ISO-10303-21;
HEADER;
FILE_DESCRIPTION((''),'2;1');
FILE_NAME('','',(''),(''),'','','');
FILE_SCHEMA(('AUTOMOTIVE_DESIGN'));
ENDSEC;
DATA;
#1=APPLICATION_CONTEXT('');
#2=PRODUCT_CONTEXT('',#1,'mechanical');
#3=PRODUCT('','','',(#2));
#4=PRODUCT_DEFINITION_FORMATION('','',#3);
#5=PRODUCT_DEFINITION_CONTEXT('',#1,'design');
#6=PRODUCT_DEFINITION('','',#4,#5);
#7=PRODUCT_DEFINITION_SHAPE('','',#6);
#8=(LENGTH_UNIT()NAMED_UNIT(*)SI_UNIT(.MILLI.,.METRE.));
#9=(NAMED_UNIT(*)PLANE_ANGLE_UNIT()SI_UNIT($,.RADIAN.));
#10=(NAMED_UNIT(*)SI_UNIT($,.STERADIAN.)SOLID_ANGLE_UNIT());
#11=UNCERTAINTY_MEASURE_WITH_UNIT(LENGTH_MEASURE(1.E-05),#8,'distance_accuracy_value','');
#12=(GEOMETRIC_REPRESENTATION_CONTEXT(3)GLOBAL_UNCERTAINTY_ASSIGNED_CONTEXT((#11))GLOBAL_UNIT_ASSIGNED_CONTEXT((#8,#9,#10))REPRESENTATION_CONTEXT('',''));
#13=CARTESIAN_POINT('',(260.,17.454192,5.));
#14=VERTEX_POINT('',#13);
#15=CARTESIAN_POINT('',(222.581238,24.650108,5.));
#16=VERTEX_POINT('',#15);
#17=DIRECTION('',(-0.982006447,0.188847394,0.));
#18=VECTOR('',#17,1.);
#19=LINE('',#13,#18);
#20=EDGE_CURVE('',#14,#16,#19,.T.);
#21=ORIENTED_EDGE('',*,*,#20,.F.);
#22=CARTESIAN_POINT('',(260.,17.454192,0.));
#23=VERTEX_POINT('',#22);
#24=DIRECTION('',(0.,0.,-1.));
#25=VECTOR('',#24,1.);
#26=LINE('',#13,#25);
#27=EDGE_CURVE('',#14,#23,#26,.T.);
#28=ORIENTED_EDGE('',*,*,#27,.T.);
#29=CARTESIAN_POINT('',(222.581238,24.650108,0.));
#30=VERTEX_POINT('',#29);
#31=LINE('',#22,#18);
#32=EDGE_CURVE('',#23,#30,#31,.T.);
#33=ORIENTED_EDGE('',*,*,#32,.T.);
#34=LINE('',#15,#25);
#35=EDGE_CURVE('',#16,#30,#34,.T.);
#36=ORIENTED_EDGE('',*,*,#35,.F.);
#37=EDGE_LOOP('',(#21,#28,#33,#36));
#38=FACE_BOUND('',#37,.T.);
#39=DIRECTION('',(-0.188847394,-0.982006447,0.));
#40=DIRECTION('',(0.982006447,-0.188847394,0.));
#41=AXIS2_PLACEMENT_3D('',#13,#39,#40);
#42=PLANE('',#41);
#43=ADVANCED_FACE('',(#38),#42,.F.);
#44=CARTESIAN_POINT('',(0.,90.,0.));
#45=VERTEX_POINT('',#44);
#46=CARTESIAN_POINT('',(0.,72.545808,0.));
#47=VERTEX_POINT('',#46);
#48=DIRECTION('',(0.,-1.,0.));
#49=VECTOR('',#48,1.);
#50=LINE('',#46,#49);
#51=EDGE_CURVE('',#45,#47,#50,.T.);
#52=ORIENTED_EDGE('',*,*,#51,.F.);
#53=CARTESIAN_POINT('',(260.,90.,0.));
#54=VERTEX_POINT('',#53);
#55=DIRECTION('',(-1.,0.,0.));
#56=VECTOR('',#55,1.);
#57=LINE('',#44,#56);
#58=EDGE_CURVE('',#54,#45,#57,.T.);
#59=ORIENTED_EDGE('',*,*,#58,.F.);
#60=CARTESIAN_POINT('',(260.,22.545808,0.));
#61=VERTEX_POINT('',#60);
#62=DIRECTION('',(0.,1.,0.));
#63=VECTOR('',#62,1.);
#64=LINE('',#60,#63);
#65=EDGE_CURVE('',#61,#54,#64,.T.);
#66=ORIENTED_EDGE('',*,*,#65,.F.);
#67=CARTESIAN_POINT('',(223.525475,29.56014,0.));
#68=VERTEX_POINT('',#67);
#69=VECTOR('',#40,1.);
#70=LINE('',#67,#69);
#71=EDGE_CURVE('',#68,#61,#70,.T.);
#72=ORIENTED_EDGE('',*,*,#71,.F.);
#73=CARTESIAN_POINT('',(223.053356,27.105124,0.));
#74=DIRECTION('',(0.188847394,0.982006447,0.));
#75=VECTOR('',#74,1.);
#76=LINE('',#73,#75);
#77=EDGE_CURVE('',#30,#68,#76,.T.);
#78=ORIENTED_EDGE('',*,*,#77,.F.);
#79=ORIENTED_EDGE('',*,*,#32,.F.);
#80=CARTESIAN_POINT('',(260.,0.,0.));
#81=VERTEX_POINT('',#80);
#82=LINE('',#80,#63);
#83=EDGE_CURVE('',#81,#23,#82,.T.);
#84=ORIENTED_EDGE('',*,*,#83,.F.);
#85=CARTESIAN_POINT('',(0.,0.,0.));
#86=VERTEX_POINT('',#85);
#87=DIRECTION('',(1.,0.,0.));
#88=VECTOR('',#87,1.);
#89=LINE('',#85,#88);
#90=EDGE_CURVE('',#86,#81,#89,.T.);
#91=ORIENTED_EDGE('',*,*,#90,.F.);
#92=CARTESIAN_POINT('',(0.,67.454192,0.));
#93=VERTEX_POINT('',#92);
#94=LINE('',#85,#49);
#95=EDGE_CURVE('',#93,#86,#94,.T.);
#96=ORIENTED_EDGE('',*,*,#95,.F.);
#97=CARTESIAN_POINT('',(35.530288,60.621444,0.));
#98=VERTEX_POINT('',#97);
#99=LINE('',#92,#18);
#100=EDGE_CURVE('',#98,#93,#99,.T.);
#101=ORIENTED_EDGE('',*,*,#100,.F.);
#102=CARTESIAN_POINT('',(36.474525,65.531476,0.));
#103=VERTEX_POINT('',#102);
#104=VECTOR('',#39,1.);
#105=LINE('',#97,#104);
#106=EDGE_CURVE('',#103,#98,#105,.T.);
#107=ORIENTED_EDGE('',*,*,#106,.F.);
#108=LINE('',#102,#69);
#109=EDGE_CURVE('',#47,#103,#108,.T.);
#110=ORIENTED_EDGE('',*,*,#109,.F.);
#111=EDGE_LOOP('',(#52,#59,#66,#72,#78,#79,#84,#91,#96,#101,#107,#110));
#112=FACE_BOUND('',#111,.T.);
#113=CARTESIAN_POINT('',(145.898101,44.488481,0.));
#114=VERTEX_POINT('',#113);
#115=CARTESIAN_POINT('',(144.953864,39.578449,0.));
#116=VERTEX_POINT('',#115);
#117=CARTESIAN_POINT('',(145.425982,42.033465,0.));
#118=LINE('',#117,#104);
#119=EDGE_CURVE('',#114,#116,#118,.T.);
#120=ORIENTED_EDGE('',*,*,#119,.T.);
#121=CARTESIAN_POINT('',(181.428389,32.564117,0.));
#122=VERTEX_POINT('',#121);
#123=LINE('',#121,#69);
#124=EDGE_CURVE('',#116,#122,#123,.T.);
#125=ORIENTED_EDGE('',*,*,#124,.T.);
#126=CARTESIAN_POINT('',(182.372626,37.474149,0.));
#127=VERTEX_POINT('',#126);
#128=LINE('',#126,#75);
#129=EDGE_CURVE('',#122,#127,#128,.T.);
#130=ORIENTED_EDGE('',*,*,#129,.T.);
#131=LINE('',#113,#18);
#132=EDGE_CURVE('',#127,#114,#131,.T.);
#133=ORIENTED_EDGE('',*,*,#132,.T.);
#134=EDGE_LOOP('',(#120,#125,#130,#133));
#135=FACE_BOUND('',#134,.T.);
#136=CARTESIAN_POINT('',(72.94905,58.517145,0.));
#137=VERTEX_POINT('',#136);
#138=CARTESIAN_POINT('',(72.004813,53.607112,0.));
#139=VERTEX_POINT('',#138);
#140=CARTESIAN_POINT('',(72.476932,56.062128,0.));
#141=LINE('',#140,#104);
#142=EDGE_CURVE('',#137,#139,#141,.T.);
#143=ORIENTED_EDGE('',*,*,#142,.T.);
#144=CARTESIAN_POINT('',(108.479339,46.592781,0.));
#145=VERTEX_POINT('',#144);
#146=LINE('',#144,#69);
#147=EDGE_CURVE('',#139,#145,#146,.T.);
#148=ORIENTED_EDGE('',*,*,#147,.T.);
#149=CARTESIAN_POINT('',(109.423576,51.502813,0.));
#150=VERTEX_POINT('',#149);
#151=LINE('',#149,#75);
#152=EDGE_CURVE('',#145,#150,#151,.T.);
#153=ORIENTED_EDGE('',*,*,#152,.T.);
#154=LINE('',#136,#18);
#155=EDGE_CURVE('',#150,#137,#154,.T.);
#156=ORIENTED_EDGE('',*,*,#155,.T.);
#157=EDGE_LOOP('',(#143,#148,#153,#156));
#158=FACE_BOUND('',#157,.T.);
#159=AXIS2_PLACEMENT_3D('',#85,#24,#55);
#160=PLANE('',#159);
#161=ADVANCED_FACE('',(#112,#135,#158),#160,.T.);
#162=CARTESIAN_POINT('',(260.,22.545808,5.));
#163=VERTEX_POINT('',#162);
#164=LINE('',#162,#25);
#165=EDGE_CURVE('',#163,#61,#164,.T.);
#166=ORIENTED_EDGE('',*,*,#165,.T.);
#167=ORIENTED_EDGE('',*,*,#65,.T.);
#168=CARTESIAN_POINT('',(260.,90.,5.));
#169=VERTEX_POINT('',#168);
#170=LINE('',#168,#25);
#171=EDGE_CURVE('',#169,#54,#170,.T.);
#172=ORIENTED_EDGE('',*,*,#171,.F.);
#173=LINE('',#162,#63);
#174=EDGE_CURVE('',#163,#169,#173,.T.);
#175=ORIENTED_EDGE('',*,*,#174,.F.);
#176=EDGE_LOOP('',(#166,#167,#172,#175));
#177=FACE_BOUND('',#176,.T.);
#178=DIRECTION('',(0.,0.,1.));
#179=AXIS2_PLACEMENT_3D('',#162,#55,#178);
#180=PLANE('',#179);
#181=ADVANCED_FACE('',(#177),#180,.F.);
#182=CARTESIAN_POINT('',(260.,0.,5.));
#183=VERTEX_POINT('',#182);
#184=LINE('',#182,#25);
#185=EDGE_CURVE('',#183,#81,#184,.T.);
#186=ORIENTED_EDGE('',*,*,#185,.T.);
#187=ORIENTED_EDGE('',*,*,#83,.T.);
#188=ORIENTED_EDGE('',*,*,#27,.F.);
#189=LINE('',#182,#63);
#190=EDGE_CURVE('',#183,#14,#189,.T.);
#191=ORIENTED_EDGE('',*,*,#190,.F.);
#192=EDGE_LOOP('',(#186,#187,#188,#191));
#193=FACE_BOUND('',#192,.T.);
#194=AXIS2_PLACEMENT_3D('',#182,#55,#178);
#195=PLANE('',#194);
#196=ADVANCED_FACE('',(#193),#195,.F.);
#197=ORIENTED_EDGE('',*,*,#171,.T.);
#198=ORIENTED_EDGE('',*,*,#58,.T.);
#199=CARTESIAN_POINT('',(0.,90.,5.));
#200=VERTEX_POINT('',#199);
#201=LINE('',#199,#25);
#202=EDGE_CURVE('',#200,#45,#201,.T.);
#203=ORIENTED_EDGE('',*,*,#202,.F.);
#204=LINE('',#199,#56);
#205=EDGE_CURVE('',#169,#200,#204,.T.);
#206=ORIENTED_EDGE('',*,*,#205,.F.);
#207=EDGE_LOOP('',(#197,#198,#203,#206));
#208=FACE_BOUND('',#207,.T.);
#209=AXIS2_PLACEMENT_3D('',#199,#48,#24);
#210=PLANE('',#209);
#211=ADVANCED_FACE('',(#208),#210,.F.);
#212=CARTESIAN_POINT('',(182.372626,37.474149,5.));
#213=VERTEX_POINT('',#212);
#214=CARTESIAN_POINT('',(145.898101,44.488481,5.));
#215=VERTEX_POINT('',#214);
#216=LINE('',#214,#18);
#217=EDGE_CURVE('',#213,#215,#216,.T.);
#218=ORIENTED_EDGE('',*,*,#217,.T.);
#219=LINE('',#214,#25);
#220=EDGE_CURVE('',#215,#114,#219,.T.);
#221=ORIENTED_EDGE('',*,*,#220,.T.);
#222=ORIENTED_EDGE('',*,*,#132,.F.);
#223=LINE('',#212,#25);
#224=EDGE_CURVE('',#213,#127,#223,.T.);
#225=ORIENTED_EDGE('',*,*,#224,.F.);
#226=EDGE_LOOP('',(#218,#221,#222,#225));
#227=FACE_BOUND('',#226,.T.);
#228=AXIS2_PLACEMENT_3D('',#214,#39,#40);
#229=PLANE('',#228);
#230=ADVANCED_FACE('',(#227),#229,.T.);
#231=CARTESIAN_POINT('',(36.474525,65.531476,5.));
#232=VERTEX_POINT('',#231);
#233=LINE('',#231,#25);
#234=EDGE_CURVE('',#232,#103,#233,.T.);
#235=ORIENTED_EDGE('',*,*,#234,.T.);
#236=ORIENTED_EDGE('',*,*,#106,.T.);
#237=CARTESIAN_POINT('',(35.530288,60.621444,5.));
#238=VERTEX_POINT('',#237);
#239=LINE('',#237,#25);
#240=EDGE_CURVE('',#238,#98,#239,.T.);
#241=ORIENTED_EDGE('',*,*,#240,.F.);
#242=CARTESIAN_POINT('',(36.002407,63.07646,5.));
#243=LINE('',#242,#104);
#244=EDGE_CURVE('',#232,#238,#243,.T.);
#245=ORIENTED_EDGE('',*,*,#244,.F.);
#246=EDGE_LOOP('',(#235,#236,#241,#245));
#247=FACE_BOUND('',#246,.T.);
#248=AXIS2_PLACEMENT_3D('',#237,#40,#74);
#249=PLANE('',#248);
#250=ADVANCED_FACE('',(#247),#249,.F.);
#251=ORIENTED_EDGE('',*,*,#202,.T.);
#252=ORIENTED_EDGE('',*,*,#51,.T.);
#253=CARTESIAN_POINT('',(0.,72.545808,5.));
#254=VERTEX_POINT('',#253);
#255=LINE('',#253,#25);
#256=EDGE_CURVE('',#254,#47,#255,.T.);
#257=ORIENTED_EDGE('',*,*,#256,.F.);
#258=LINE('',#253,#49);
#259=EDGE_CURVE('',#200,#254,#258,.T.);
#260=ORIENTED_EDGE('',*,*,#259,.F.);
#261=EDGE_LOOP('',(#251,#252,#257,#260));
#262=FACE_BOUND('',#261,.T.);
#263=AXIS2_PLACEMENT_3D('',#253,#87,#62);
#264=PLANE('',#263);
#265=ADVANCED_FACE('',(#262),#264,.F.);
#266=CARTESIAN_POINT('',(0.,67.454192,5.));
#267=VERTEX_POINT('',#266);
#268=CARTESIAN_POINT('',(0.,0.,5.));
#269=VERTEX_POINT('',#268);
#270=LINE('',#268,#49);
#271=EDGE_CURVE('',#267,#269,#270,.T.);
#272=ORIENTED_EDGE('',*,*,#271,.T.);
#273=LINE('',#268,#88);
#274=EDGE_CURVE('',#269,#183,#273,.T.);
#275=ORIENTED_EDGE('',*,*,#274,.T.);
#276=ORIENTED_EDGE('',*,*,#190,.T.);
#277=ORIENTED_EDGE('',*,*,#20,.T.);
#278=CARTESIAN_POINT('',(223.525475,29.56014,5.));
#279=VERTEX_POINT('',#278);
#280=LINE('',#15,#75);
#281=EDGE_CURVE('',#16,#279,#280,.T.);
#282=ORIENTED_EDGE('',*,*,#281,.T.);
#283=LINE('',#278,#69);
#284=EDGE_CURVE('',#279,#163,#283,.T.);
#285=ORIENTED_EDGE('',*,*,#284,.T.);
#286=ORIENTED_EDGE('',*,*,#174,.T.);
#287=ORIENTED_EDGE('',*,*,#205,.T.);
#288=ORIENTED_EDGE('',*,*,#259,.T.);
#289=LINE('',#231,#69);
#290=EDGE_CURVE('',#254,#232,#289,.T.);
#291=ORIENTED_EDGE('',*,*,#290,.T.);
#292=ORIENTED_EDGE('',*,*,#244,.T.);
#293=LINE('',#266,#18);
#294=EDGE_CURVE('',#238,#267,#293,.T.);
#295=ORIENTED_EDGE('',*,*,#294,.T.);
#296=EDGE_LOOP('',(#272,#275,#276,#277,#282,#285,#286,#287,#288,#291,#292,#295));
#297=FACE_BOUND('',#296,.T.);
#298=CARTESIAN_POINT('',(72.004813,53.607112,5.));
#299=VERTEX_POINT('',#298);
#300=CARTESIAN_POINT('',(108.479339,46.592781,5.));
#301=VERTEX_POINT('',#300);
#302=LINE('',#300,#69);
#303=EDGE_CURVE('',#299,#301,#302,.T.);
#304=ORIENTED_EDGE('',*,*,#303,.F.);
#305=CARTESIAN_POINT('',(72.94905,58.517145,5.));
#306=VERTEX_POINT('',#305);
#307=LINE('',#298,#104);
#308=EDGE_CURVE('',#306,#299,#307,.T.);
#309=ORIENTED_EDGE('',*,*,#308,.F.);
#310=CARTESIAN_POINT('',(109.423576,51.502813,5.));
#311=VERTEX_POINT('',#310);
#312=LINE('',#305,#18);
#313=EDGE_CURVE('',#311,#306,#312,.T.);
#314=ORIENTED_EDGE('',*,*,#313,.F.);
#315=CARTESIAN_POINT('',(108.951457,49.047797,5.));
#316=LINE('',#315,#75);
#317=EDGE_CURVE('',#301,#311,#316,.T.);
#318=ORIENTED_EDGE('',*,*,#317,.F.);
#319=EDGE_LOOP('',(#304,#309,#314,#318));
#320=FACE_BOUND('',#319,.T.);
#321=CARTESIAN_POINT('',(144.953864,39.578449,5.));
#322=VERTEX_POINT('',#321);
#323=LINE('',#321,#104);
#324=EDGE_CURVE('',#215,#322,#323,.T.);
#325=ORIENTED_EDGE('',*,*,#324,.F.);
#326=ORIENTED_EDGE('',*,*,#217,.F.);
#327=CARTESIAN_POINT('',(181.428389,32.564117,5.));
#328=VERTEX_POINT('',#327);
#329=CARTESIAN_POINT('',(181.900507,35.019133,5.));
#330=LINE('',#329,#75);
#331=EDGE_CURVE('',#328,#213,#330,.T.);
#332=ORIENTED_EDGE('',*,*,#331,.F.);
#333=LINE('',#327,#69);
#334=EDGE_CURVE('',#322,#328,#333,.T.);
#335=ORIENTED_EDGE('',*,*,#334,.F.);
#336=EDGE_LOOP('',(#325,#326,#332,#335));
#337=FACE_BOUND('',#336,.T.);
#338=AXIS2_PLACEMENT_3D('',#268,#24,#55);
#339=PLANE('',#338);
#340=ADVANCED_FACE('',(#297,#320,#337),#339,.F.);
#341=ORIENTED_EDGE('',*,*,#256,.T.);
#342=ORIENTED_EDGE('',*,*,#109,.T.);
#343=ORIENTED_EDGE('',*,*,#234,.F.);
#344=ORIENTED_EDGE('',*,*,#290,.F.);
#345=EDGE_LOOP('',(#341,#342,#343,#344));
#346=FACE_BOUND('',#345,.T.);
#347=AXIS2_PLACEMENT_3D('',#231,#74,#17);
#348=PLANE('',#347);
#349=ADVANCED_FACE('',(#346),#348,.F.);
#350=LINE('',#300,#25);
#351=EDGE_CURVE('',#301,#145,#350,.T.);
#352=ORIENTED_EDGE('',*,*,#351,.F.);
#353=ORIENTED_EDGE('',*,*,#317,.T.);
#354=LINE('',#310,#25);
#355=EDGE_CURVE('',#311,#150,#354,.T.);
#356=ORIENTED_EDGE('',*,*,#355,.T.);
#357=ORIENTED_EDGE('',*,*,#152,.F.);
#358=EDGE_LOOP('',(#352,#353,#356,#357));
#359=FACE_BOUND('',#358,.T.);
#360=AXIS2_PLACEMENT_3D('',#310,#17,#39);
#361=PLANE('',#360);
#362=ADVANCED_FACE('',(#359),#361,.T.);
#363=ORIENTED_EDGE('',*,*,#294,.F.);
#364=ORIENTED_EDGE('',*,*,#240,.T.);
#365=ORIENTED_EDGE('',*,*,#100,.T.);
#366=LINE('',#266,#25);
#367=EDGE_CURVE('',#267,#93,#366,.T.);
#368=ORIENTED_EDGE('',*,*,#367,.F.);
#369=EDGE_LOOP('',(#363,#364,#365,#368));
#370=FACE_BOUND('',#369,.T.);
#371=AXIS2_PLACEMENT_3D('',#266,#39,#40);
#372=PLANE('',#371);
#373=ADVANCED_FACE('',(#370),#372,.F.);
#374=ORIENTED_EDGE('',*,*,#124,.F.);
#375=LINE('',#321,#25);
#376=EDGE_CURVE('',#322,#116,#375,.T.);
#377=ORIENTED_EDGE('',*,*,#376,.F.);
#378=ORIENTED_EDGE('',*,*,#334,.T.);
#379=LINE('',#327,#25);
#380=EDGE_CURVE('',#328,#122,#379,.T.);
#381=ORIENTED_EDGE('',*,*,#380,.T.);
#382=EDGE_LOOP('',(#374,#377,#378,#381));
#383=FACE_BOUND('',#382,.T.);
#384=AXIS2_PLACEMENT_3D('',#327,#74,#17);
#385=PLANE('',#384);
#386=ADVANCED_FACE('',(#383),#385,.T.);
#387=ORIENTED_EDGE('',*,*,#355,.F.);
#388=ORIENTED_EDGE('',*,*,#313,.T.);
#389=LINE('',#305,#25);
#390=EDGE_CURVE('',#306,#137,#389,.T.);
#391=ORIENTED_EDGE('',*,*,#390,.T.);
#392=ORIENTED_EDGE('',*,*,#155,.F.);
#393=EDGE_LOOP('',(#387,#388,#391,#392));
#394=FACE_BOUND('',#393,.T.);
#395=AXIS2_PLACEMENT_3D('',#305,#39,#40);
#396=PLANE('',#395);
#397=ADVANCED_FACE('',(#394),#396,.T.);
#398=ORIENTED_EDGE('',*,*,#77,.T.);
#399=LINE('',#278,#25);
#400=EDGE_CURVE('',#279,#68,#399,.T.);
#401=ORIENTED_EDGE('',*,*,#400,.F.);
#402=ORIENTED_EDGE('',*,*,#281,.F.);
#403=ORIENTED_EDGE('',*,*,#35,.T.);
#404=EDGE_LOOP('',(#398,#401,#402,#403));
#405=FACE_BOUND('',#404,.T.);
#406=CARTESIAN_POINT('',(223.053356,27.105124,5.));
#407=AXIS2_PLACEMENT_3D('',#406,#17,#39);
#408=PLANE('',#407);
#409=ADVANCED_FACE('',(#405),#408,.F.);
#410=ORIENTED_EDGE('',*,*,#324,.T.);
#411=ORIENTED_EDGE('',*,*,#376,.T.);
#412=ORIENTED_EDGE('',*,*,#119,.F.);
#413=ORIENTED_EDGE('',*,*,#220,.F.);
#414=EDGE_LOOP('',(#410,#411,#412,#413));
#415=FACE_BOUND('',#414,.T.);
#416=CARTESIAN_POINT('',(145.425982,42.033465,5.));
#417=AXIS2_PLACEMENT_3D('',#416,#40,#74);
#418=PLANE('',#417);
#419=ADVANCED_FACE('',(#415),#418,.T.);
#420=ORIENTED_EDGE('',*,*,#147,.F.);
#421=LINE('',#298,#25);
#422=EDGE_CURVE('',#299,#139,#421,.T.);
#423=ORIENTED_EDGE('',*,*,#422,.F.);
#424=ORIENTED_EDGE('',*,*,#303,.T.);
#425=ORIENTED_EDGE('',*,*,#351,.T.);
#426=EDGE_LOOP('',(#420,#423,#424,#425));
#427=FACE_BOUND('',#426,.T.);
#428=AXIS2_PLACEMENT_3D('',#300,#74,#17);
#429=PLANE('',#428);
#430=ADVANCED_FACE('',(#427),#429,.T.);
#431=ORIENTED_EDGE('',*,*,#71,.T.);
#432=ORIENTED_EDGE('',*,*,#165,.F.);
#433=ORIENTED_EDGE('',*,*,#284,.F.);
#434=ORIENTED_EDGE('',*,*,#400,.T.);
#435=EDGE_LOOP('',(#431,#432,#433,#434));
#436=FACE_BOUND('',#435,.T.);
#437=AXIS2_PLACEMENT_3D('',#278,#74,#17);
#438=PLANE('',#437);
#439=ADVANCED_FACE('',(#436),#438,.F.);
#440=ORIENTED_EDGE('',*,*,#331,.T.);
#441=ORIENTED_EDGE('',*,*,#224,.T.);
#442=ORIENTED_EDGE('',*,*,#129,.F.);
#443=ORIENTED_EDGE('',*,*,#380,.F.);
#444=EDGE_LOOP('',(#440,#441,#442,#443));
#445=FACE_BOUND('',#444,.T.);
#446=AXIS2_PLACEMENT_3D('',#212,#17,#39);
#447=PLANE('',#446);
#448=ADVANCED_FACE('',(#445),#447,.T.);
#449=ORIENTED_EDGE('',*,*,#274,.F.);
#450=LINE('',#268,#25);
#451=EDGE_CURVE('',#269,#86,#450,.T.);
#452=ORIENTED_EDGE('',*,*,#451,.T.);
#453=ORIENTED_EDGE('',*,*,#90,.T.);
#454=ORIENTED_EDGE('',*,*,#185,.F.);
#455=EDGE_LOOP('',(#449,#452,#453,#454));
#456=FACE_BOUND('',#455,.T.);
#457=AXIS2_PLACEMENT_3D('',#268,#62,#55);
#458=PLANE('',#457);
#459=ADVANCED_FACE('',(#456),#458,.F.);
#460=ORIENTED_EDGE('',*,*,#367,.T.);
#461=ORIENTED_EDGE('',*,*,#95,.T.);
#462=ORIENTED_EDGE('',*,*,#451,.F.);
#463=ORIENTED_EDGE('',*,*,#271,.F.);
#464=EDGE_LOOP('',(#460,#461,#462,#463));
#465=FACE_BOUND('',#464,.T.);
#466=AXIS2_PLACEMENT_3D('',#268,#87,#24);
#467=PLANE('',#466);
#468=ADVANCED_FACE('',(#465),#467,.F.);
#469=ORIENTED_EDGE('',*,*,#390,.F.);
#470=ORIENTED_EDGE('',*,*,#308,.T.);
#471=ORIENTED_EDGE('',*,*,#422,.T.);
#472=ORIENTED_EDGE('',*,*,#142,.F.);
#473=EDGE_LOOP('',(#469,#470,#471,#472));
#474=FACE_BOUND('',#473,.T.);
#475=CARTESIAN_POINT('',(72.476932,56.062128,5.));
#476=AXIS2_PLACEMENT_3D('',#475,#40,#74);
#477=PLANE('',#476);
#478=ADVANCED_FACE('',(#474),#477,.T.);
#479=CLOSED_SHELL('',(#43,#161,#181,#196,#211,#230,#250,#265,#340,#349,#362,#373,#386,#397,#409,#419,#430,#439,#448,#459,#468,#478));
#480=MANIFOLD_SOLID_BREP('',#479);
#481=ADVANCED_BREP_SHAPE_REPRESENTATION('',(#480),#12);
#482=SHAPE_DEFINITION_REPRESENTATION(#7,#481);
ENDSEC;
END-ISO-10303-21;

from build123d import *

# Parameters (mm, degrees)
BOSS_EXTRU_1_DEPTH = 5


with BuildPart() as part:
    # Esquisse1 → Boss.-Extru.1 (new body)
    with BuildSketch(Plane.XY):
        Polygon((0, 0), (260, 0), (260, 17.454191866), (222.581237858, 24.650107663), (223.053356342, 27.10512378), (223.525474826, 29.560139898), (260, 22.545808134), (260, 90), (0, 90), (0, 72.545808134), (36.474525174, 65.531476369), (36.002406689, 63.076460252), (35.530288205, 60.621444135), (0, 67.454191866), align=None)
        Polygon((72.476931863, 56.062128488), (72.949050347, 58.517144605), (109.423575521, 51.502812841), (108.951457037, 49.047796724), (108.479338552, 46.592780606), (72.004813379, 53.60711237), align=None, mode=Mode.SUBTRACT)
        Polygon((145.42598221, 42.03346496), (145.898100694, 44.488481077), (182.372625868, 37.474149313), (181.900507384, 35.019133195), (181.4283889, 32.564117078), (144.953863726, 39.578448842), align=None, mode=Mode.SUBTRACT)
    extrude(amount=BOSS_EXTRU_1_DEPTH)


solid = part.part
